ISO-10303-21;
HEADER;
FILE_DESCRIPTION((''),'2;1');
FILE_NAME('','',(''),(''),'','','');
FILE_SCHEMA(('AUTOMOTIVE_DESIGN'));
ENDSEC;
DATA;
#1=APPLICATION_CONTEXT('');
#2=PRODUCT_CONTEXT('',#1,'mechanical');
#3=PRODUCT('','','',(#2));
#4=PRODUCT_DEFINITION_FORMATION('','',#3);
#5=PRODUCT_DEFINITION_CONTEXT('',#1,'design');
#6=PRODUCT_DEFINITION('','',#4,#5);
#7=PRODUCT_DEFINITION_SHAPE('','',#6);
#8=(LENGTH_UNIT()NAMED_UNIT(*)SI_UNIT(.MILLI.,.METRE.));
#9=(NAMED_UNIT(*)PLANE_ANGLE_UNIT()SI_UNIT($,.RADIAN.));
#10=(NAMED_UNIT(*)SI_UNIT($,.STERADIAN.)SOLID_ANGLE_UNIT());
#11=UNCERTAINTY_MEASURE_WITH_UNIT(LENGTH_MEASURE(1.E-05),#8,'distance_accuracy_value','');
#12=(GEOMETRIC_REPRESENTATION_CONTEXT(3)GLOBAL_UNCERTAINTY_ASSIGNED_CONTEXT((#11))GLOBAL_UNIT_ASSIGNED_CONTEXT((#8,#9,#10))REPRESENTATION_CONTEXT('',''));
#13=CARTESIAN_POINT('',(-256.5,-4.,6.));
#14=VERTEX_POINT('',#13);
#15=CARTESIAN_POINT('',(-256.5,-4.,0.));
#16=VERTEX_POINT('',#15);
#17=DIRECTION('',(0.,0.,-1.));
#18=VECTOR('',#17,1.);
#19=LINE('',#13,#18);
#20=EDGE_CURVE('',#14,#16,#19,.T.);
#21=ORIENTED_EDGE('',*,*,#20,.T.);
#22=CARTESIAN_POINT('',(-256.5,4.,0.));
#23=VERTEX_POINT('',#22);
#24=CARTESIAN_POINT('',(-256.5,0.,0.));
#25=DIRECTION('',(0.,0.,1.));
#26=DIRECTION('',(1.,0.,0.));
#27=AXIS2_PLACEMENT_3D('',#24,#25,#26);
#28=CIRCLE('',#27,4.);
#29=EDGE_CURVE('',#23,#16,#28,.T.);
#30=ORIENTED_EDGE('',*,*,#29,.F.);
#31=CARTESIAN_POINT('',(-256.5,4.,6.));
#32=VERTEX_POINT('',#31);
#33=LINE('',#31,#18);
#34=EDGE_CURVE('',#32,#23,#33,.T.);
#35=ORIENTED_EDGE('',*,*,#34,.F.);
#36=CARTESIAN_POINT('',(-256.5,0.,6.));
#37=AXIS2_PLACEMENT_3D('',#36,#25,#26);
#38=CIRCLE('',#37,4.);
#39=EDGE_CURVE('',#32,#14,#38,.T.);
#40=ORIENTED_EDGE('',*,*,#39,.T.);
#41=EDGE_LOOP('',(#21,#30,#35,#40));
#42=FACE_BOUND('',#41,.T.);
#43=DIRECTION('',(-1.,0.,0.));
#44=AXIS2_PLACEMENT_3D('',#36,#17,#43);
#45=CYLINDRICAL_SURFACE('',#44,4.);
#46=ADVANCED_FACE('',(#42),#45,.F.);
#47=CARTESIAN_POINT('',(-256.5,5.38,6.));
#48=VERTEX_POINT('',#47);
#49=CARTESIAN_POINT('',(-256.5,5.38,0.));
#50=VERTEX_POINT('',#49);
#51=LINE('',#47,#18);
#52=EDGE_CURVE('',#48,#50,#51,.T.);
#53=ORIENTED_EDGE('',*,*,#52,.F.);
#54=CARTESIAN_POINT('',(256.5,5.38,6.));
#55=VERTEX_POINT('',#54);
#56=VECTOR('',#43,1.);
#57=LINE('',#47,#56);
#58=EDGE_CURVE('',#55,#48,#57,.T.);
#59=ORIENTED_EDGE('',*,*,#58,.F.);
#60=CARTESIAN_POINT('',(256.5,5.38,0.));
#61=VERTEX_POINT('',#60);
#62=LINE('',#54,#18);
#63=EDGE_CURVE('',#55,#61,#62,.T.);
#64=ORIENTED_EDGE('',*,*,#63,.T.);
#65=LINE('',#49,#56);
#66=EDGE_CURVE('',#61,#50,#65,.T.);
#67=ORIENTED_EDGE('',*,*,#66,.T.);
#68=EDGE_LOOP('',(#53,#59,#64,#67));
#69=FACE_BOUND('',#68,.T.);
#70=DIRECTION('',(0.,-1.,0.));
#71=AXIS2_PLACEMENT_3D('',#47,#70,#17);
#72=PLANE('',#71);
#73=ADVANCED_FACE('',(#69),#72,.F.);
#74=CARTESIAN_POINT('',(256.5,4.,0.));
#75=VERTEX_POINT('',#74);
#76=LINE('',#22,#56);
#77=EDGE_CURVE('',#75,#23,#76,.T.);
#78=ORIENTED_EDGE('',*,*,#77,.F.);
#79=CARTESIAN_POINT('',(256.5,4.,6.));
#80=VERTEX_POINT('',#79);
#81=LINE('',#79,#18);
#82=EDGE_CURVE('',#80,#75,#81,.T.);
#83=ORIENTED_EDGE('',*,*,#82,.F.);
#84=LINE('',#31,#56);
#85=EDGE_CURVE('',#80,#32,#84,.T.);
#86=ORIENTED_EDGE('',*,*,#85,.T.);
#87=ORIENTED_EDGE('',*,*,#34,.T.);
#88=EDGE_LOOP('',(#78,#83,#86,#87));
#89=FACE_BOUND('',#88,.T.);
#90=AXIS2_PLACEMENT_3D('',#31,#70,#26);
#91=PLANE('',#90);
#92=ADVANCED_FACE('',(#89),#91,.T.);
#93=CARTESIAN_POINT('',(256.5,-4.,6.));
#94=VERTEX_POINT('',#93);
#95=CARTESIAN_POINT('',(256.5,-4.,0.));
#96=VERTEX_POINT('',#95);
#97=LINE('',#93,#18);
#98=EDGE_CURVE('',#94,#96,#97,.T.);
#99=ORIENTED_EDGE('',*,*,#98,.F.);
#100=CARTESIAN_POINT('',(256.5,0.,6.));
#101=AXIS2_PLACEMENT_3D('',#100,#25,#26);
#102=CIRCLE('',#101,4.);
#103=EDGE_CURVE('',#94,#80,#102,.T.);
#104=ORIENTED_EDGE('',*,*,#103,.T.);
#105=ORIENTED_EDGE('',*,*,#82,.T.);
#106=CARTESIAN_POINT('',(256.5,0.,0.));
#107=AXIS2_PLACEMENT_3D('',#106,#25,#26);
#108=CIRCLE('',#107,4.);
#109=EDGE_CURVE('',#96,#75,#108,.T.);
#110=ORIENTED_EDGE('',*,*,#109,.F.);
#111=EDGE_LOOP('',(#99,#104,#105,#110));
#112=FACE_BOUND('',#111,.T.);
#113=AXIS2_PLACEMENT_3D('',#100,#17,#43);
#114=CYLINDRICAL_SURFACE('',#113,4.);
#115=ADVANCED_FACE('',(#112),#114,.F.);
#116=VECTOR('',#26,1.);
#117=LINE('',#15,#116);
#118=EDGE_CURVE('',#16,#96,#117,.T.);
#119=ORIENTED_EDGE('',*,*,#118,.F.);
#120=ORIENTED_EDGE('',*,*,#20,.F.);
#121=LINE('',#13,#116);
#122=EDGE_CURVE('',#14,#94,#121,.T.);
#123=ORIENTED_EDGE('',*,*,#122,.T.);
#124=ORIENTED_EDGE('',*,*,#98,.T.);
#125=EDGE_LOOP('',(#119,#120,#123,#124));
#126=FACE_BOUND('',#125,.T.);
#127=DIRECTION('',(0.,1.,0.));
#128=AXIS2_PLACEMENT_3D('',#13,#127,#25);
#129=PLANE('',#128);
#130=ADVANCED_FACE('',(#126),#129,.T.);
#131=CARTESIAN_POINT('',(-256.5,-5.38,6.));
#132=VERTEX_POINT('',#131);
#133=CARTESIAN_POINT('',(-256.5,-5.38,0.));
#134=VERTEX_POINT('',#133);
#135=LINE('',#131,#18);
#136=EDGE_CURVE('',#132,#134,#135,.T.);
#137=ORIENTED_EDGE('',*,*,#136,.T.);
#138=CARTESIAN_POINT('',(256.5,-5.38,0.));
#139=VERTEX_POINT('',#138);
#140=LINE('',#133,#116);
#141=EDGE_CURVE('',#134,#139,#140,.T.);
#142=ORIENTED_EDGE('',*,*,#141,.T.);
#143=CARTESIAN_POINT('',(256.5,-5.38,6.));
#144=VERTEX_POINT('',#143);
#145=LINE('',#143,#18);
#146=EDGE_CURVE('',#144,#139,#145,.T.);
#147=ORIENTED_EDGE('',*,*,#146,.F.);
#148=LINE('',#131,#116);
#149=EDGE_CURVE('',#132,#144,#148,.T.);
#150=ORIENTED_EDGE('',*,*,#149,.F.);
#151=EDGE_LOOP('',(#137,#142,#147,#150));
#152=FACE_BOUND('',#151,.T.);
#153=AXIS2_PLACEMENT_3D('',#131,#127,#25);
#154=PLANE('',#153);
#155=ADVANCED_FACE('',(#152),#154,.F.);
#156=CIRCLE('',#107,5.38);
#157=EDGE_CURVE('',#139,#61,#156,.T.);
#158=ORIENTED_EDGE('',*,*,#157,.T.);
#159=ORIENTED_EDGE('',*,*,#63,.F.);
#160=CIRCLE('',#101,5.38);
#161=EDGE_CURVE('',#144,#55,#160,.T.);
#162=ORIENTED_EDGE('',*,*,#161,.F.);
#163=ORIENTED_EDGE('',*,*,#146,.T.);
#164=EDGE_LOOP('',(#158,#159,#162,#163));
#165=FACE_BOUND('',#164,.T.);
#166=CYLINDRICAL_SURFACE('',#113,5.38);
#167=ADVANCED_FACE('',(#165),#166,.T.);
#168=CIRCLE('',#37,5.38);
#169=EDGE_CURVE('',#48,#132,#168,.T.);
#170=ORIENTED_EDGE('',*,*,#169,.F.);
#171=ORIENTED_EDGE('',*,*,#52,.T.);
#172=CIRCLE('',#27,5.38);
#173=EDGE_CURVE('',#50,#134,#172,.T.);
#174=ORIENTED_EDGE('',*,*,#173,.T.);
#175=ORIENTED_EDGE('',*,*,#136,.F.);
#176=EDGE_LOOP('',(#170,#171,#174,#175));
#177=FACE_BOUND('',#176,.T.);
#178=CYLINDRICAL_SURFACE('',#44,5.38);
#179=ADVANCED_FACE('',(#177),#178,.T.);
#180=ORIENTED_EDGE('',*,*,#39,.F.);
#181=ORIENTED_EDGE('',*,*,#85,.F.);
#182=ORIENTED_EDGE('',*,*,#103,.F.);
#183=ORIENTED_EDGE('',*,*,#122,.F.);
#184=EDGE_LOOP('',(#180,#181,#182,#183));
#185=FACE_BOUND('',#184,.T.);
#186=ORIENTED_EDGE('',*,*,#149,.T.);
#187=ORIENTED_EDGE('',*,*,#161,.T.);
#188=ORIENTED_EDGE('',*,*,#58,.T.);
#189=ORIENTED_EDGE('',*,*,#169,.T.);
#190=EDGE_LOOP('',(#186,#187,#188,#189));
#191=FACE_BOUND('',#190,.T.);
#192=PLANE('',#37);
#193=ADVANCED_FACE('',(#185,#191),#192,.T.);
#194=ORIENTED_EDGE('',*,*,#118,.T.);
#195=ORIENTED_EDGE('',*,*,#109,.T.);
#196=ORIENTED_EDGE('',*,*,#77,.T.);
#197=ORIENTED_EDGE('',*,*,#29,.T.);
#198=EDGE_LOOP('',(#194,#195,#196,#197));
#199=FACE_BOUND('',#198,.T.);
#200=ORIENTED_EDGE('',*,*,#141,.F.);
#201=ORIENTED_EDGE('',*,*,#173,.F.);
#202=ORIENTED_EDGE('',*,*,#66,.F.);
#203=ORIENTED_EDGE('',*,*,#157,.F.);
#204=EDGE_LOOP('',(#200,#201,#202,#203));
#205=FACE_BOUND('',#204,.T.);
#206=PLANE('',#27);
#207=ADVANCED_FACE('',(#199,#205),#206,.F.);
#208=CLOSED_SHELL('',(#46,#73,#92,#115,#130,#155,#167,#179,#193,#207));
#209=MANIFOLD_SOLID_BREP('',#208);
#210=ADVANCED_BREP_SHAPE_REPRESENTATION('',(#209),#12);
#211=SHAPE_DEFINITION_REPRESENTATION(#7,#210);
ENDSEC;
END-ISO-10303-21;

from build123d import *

# Parameters (mm, degrees)
BOSS_EXTRUDE1_DEPTH = 6


with BuildPart() as part:
    # Sketch1 → Boss-Extrude1 (new body)
    with BuildSketch(Plane.XY):
        with BuildLine():
            Line((-256.5, 5.38), (256.5, 5.38))
            ThreePointArc((256.5, 5.38), (261.88, 0), (256.5, -5.38))
            Line((256.5, -5.38), (-256.5, -5.38))
            ThreePointArc((-256.5, -5.38), (-261.88, 0), (-256.5, 5.38))
        make_face()
        with BuildLine():
            Line((-256.5, -4), (256.5, -4))
            ThreePointArc((256.5, -4), (260.5, 0), (256.5, 4))
            Line((256.5, 4), (-256.5, 4))
            ThreePointArc((-256.5, 4), (-260.5, 0), (-256.5, -4))
        make_face(mode=Mode.SUBTRACT)
    extrude(amount=BOSS_EXTRUDE1_DEPTH)


solid = part.part
